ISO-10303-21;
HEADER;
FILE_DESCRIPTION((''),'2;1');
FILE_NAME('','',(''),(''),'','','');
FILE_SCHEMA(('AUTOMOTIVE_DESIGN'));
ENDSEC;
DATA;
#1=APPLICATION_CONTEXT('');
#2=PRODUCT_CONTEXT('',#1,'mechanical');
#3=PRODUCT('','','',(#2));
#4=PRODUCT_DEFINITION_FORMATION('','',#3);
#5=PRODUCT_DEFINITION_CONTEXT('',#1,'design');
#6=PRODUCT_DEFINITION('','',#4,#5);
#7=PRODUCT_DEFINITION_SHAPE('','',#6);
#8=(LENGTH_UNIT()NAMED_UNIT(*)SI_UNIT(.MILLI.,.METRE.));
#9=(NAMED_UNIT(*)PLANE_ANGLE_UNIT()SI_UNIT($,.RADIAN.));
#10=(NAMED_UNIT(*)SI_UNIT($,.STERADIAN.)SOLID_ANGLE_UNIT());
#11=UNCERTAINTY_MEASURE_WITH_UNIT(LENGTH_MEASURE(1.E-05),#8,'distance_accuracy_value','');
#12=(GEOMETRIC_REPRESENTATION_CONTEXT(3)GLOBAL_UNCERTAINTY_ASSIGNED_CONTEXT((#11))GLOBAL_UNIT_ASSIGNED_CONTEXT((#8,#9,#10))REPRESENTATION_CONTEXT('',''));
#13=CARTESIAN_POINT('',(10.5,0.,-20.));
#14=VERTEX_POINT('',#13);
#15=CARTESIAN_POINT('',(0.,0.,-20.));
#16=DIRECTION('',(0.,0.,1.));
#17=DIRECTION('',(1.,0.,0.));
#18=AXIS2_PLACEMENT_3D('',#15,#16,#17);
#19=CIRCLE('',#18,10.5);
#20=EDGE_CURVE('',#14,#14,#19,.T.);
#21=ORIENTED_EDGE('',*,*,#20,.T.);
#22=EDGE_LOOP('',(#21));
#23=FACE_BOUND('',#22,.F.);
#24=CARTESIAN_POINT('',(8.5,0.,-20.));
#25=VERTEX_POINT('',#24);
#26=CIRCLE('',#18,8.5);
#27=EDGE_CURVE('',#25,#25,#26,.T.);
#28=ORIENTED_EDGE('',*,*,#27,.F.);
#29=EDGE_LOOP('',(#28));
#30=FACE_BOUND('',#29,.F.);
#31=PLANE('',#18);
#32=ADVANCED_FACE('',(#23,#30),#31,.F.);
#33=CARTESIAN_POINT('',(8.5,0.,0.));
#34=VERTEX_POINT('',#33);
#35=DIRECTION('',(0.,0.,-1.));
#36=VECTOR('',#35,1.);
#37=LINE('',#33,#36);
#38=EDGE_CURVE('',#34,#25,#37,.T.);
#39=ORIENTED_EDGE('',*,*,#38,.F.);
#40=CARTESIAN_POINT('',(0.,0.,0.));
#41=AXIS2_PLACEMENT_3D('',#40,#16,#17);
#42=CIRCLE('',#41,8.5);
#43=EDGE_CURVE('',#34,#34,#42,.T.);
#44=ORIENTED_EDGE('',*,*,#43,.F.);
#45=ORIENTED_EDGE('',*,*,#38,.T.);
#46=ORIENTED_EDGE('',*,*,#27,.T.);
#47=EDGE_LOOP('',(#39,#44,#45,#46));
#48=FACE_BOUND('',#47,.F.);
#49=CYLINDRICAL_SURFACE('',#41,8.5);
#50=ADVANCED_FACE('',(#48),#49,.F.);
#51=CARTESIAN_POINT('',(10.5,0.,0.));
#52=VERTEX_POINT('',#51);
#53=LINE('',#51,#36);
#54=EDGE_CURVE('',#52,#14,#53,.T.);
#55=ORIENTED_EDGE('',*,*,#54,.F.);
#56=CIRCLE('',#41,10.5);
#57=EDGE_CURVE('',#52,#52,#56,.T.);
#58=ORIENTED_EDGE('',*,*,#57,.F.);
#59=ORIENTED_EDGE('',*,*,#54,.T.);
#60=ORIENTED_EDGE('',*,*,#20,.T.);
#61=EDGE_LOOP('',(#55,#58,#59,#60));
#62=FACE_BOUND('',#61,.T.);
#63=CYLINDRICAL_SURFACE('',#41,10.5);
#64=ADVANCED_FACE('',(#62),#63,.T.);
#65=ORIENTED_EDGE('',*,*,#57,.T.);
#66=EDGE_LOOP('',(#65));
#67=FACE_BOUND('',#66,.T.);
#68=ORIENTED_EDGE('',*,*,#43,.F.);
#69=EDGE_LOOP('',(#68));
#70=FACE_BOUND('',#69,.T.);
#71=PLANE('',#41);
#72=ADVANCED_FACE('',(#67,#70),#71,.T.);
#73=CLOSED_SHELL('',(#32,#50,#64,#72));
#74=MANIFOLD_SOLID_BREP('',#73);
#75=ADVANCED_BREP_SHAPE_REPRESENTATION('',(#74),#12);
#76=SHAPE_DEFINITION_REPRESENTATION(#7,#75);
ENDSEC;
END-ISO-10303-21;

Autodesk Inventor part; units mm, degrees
ref_plane "YZ Plane" through (0, 0, 0) normal (1, 0, 0) x (0, 1, 0)
ref_plane "XZ Plane" through (0, 0, 0) normal (0, 1, 0) x (-1, 0, 0)
ref_plane "XY Plane" through (0, 0, 0) normal (0, 0, 1) x (1, 0, 0)
sketch "Sketch11" plane through (0, 0, 0) normal (0, 0, 1) x (1, 0, 0)
  circle A0 centre (0, 0) radius 10.5
  circle A1 centre (0, 0) radius 8.5
  dimension "d187" = 21
  dimension "d188" = 2
extrude "Extrusion5" add sketch "Sketch11" against normal blind 20
properties part number "PNS 759 FDS 1200 way tube 7" material "Stainless Steel"
